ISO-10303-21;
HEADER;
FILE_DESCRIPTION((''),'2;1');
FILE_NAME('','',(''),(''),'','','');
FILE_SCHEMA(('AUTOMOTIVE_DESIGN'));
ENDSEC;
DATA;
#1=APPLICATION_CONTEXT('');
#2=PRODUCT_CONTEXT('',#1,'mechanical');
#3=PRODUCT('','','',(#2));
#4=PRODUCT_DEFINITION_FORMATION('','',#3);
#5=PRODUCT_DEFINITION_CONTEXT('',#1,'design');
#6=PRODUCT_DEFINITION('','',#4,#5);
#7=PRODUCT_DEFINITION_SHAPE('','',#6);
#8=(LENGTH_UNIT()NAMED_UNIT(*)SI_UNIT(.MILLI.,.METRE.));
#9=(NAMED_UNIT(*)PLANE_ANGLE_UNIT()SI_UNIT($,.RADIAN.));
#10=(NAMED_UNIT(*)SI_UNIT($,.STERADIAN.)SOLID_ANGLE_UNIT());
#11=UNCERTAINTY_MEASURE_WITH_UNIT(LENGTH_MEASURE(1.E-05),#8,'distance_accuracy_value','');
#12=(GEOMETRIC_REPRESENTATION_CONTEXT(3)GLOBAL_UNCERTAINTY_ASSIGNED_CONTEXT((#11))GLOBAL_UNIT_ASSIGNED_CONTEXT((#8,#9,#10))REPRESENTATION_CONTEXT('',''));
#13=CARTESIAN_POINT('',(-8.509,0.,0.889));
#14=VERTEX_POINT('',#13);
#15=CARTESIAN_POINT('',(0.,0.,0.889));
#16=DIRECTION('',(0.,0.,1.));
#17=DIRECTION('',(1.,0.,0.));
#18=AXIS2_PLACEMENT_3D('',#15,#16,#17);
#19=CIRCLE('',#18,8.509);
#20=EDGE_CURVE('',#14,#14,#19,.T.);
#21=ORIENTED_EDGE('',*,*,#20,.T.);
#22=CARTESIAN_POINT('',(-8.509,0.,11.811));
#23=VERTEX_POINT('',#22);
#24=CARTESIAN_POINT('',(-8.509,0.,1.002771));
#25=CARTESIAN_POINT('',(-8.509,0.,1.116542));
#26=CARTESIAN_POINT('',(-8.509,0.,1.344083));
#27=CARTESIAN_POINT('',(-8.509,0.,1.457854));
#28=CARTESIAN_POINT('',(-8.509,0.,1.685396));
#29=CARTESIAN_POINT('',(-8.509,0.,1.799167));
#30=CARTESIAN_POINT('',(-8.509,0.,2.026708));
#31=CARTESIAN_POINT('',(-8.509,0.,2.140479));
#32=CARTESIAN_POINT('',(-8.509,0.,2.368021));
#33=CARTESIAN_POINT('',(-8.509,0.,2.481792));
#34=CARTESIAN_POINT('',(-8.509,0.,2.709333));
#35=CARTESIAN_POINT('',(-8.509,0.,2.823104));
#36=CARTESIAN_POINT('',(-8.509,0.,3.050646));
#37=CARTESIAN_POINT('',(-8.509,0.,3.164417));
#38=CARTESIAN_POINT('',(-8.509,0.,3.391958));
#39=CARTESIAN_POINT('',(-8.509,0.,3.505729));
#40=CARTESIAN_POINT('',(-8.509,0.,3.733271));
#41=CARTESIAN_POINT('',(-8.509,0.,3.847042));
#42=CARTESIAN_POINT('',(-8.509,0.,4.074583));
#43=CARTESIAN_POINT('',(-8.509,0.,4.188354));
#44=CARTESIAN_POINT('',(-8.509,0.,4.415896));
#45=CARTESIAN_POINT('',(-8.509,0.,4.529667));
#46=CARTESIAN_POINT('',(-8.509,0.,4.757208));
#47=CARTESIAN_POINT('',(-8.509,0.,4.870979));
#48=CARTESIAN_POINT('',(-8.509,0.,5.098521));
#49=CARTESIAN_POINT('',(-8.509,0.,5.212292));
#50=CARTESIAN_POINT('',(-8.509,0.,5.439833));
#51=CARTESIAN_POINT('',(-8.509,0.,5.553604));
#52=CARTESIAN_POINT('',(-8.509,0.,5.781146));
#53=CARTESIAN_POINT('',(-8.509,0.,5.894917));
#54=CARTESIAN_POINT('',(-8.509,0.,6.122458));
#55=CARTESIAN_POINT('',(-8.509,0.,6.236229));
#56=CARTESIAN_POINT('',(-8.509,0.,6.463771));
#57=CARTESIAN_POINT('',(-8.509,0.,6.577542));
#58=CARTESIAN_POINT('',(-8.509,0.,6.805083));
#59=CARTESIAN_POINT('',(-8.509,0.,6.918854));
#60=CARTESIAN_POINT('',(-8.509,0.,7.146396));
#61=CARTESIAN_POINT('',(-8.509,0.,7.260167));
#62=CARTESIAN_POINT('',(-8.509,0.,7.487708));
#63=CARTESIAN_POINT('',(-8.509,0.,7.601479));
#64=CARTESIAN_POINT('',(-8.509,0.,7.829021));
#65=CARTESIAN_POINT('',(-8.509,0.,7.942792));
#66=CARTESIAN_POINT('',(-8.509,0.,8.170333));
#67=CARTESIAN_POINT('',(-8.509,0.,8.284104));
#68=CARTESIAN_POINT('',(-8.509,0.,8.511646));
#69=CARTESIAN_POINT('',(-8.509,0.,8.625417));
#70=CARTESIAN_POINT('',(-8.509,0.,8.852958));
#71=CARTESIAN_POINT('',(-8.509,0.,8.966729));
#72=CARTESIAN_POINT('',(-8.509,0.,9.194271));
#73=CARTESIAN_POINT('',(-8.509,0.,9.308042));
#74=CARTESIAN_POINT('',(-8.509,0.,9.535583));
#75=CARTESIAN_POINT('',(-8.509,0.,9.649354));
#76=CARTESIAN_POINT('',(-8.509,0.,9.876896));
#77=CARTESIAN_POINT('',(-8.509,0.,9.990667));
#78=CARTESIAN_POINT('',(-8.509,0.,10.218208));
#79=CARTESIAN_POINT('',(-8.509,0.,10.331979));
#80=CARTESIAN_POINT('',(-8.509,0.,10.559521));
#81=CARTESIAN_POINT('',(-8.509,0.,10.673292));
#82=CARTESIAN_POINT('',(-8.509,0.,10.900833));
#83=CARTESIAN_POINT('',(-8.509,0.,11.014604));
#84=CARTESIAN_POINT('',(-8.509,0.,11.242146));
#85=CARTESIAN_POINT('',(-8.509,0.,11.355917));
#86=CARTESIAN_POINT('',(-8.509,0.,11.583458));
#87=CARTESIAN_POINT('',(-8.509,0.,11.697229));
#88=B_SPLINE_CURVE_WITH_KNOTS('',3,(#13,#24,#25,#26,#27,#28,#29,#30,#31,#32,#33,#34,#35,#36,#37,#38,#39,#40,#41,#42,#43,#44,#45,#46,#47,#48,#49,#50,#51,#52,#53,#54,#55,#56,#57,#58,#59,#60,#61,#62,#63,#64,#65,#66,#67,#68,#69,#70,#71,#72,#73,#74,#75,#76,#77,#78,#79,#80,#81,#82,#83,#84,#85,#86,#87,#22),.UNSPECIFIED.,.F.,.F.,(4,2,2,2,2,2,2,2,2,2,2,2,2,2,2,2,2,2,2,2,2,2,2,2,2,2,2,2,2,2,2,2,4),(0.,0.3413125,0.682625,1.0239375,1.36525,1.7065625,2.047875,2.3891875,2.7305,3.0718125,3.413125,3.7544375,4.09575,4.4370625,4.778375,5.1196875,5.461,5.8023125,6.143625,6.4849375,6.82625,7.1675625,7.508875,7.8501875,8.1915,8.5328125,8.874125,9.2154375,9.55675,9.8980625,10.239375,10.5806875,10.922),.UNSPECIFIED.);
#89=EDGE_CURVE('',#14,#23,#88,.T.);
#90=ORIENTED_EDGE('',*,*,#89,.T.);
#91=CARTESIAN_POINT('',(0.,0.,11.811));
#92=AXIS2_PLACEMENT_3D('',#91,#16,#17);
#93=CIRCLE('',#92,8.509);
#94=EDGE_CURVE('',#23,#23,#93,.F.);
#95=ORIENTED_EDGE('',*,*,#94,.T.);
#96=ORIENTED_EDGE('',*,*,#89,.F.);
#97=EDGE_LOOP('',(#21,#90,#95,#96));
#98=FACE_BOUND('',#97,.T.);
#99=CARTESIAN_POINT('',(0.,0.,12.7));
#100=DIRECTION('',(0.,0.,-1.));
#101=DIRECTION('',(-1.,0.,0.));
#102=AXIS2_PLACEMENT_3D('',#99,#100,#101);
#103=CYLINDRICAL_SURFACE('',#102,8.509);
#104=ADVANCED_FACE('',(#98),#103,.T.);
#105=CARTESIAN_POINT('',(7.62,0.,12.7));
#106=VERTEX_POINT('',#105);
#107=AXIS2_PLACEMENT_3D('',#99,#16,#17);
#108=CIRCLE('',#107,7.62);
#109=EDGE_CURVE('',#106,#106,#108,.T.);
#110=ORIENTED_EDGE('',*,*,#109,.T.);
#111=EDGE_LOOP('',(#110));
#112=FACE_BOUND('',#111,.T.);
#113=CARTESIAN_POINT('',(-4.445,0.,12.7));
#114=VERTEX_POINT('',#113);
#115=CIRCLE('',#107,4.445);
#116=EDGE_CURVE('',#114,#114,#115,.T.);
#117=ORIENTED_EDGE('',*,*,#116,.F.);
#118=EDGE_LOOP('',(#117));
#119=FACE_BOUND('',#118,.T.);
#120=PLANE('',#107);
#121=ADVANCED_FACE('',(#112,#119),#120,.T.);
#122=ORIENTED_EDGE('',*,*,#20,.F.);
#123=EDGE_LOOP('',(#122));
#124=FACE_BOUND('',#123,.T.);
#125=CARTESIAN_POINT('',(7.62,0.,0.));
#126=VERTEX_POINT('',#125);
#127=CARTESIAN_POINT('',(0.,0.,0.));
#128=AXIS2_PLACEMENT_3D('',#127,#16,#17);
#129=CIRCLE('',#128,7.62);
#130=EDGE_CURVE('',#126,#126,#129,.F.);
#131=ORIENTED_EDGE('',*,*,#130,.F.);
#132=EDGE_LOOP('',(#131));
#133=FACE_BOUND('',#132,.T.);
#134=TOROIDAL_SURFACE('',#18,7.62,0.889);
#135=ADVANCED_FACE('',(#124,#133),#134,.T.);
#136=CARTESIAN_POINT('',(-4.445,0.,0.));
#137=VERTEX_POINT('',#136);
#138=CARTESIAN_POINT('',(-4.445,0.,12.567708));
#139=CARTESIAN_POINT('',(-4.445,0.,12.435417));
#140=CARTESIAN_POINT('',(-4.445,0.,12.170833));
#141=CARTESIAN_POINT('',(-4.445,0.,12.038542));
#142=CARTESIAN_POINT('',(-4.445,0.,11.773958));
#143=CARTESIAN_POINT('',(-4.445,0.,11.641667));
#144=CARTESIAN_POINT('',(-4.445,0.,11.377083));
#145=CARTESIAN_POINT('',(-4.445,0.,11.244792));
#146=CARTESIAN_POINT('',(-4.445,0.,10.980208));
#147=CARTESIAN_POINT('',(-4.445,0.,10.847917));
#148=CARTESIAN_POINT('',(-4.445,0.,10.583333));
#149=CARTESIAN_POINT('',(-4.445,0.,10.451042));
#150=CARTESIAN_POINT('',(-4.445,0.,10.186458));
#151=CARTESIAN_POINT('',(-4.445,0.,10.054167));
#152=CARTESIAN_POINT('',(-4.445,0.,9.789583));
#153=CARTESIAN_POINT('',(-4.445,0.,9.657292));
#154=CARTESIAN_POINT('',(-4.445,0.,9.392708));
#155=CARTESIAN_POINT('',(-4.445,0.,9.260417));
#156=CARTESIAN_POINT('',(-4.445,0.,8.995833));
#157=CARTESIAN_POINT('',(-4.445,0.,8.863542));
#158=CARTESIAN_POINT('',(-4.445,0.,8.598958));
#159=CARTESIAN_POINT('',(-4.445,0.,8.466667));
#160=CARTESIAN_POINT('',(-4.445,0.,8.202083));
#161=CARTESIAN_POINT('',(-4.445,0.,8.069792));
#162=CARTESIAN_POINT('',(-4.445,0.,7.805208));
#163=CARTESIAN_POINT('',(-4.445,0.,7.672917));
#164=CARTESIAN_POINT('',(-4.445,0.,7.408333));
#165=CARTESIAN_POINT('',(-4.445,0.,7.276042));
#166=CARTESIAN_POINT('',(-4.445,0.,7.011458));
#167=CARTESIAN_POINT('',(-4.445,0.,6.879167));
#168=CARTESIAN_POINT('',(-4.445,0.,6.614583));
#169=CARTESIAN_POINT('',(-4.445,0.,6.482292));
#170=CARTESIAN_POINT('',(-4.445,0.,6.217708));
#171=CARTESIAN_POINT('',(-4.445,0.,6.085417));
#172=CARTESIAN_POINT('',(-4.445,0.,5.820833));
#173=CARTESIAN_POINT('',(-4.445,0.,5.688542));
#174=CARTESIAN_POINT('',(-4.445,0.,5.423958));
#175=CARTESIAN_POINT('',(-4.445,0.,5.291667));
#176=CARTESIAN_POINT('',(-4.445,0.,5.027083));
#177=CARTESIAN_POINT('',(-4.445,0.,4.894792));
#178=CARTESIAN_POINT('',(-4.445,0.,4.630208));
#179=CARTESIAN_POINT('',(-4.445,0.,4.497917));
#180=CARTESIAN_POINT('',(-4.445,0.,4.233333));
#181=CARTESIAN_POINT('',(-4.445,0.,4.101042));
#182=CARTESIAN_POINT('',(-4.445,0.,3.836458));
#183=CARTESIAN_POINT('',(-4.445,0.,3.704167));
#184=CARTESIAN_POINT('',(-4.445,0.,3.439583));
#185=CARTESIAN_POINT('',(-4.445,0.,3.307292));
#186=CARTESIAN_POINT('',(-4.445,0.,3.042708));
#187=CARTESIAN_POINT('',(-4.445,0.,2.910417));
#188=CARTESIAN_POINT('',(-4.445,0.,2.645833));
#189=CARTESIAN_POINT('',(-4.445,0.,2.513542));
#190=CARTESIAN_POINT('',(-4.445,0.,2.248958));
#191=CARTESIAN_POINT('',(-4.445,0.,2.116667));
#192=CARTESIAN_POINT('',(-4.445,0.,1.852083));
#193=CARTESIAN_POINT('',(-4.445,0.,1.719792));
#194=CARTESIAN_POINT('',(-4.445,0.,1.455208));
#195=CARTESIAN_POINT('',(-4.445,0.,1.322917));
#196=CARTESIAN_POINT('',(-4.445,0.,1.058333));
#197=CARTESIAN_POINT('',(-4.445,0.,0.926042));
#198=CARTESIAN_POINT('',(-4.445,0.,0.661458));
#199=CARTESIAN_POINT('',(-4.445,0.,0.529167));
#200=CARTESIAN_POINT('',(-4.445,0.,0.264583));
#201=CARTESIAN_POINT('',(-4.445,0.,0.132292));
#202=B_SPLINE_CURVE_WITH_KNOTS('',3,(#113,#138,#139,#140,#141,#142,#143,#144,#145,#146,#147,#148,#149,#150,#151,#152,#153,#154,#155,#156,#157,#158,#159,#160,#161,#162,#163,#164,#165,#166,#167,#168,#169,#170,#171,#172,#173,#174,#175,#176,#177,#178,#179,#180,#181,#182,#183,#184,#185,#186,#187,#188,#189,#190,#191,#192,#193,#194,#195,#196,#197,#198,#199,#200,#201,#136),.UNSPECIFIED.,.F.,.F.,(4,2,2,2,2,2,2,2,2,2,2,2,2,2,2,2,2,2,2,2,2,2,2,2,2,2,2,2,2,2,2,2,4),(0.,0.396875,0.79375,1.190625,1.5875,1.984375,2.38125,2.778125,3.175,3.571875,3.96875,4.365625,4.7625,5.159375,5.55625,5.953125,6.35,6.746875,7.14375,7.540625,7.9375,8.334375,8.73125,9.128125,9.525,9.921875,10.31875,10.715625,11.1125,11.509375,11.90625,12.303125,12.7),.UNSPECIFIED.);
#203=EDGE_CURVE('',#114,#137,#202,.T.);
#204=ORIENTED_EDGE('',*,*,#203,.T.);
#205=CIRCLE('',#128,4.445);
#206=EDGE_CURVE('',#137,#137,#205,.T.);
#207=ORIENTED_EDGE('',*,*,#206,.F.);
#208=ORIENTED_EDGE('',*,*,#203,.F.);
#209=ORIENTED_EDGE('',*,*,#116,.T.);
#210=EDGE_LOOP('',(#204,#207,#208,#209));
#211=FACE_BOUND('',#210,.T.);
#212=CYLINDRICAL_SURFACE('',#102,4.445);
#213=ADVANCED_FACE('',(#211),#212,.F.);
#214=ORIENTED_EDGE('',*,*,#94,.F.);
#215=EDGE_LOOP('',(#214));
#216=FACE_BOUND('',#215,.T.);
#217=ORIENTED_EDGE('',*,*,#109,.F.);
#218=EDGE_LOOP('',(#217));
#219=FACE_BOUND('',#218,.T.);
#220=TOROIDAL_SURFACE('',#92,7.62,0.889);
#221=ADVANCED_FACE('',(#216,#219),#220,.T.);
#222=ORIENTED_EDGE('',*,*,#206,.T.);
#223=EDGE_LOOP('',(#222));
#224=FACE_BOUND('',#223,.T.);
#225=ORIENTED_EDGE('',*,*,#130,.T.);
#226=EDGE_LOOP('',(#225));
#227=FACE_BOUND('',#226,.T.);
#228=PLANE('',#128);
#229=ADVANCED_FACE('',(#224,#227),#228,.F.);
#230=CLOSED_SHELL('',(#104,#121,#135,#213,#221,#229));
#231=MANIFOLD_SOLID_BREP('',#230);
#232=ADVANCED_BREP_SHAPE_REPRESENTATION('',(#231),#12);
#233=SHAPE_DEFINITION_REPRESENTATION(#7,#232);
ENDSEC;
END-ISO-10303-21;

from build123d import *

# Parameters (mm, degrees)
SKETCH1_R           = 8.509
SKETCH1_R_2         = 4.445
BOSS_EXTRUDE1_DEPTH = 12.7
FILLET1_R           = 0.889


with BuildPart() as part:
    # Sketch1 → Boss-Extrude1 (new body)
    with BuildSketch(Plane.XY):
        with Locations(Location((0, 0, 0), (0, 0, 180))):
            Circle(SKETCH1_R)
        with Locations(Location((0, 0, 0), (0, 0, 180))):
            Circle(SKETCH1_R_2, mode=Mode.SUBTRACT)
    extrude(amount=BOSS_EXTRUDE1_DEPTH)

    # Fillet1
    fillet1_edges = [part.edges().sort_by_distance(p)[0] for p in [
        (8.509, 0, 0),
        (8.509, 0, 12.7),
    ]]
    fillet(fillet1_edges, radius=FILLET1_R)


solid = part.part
